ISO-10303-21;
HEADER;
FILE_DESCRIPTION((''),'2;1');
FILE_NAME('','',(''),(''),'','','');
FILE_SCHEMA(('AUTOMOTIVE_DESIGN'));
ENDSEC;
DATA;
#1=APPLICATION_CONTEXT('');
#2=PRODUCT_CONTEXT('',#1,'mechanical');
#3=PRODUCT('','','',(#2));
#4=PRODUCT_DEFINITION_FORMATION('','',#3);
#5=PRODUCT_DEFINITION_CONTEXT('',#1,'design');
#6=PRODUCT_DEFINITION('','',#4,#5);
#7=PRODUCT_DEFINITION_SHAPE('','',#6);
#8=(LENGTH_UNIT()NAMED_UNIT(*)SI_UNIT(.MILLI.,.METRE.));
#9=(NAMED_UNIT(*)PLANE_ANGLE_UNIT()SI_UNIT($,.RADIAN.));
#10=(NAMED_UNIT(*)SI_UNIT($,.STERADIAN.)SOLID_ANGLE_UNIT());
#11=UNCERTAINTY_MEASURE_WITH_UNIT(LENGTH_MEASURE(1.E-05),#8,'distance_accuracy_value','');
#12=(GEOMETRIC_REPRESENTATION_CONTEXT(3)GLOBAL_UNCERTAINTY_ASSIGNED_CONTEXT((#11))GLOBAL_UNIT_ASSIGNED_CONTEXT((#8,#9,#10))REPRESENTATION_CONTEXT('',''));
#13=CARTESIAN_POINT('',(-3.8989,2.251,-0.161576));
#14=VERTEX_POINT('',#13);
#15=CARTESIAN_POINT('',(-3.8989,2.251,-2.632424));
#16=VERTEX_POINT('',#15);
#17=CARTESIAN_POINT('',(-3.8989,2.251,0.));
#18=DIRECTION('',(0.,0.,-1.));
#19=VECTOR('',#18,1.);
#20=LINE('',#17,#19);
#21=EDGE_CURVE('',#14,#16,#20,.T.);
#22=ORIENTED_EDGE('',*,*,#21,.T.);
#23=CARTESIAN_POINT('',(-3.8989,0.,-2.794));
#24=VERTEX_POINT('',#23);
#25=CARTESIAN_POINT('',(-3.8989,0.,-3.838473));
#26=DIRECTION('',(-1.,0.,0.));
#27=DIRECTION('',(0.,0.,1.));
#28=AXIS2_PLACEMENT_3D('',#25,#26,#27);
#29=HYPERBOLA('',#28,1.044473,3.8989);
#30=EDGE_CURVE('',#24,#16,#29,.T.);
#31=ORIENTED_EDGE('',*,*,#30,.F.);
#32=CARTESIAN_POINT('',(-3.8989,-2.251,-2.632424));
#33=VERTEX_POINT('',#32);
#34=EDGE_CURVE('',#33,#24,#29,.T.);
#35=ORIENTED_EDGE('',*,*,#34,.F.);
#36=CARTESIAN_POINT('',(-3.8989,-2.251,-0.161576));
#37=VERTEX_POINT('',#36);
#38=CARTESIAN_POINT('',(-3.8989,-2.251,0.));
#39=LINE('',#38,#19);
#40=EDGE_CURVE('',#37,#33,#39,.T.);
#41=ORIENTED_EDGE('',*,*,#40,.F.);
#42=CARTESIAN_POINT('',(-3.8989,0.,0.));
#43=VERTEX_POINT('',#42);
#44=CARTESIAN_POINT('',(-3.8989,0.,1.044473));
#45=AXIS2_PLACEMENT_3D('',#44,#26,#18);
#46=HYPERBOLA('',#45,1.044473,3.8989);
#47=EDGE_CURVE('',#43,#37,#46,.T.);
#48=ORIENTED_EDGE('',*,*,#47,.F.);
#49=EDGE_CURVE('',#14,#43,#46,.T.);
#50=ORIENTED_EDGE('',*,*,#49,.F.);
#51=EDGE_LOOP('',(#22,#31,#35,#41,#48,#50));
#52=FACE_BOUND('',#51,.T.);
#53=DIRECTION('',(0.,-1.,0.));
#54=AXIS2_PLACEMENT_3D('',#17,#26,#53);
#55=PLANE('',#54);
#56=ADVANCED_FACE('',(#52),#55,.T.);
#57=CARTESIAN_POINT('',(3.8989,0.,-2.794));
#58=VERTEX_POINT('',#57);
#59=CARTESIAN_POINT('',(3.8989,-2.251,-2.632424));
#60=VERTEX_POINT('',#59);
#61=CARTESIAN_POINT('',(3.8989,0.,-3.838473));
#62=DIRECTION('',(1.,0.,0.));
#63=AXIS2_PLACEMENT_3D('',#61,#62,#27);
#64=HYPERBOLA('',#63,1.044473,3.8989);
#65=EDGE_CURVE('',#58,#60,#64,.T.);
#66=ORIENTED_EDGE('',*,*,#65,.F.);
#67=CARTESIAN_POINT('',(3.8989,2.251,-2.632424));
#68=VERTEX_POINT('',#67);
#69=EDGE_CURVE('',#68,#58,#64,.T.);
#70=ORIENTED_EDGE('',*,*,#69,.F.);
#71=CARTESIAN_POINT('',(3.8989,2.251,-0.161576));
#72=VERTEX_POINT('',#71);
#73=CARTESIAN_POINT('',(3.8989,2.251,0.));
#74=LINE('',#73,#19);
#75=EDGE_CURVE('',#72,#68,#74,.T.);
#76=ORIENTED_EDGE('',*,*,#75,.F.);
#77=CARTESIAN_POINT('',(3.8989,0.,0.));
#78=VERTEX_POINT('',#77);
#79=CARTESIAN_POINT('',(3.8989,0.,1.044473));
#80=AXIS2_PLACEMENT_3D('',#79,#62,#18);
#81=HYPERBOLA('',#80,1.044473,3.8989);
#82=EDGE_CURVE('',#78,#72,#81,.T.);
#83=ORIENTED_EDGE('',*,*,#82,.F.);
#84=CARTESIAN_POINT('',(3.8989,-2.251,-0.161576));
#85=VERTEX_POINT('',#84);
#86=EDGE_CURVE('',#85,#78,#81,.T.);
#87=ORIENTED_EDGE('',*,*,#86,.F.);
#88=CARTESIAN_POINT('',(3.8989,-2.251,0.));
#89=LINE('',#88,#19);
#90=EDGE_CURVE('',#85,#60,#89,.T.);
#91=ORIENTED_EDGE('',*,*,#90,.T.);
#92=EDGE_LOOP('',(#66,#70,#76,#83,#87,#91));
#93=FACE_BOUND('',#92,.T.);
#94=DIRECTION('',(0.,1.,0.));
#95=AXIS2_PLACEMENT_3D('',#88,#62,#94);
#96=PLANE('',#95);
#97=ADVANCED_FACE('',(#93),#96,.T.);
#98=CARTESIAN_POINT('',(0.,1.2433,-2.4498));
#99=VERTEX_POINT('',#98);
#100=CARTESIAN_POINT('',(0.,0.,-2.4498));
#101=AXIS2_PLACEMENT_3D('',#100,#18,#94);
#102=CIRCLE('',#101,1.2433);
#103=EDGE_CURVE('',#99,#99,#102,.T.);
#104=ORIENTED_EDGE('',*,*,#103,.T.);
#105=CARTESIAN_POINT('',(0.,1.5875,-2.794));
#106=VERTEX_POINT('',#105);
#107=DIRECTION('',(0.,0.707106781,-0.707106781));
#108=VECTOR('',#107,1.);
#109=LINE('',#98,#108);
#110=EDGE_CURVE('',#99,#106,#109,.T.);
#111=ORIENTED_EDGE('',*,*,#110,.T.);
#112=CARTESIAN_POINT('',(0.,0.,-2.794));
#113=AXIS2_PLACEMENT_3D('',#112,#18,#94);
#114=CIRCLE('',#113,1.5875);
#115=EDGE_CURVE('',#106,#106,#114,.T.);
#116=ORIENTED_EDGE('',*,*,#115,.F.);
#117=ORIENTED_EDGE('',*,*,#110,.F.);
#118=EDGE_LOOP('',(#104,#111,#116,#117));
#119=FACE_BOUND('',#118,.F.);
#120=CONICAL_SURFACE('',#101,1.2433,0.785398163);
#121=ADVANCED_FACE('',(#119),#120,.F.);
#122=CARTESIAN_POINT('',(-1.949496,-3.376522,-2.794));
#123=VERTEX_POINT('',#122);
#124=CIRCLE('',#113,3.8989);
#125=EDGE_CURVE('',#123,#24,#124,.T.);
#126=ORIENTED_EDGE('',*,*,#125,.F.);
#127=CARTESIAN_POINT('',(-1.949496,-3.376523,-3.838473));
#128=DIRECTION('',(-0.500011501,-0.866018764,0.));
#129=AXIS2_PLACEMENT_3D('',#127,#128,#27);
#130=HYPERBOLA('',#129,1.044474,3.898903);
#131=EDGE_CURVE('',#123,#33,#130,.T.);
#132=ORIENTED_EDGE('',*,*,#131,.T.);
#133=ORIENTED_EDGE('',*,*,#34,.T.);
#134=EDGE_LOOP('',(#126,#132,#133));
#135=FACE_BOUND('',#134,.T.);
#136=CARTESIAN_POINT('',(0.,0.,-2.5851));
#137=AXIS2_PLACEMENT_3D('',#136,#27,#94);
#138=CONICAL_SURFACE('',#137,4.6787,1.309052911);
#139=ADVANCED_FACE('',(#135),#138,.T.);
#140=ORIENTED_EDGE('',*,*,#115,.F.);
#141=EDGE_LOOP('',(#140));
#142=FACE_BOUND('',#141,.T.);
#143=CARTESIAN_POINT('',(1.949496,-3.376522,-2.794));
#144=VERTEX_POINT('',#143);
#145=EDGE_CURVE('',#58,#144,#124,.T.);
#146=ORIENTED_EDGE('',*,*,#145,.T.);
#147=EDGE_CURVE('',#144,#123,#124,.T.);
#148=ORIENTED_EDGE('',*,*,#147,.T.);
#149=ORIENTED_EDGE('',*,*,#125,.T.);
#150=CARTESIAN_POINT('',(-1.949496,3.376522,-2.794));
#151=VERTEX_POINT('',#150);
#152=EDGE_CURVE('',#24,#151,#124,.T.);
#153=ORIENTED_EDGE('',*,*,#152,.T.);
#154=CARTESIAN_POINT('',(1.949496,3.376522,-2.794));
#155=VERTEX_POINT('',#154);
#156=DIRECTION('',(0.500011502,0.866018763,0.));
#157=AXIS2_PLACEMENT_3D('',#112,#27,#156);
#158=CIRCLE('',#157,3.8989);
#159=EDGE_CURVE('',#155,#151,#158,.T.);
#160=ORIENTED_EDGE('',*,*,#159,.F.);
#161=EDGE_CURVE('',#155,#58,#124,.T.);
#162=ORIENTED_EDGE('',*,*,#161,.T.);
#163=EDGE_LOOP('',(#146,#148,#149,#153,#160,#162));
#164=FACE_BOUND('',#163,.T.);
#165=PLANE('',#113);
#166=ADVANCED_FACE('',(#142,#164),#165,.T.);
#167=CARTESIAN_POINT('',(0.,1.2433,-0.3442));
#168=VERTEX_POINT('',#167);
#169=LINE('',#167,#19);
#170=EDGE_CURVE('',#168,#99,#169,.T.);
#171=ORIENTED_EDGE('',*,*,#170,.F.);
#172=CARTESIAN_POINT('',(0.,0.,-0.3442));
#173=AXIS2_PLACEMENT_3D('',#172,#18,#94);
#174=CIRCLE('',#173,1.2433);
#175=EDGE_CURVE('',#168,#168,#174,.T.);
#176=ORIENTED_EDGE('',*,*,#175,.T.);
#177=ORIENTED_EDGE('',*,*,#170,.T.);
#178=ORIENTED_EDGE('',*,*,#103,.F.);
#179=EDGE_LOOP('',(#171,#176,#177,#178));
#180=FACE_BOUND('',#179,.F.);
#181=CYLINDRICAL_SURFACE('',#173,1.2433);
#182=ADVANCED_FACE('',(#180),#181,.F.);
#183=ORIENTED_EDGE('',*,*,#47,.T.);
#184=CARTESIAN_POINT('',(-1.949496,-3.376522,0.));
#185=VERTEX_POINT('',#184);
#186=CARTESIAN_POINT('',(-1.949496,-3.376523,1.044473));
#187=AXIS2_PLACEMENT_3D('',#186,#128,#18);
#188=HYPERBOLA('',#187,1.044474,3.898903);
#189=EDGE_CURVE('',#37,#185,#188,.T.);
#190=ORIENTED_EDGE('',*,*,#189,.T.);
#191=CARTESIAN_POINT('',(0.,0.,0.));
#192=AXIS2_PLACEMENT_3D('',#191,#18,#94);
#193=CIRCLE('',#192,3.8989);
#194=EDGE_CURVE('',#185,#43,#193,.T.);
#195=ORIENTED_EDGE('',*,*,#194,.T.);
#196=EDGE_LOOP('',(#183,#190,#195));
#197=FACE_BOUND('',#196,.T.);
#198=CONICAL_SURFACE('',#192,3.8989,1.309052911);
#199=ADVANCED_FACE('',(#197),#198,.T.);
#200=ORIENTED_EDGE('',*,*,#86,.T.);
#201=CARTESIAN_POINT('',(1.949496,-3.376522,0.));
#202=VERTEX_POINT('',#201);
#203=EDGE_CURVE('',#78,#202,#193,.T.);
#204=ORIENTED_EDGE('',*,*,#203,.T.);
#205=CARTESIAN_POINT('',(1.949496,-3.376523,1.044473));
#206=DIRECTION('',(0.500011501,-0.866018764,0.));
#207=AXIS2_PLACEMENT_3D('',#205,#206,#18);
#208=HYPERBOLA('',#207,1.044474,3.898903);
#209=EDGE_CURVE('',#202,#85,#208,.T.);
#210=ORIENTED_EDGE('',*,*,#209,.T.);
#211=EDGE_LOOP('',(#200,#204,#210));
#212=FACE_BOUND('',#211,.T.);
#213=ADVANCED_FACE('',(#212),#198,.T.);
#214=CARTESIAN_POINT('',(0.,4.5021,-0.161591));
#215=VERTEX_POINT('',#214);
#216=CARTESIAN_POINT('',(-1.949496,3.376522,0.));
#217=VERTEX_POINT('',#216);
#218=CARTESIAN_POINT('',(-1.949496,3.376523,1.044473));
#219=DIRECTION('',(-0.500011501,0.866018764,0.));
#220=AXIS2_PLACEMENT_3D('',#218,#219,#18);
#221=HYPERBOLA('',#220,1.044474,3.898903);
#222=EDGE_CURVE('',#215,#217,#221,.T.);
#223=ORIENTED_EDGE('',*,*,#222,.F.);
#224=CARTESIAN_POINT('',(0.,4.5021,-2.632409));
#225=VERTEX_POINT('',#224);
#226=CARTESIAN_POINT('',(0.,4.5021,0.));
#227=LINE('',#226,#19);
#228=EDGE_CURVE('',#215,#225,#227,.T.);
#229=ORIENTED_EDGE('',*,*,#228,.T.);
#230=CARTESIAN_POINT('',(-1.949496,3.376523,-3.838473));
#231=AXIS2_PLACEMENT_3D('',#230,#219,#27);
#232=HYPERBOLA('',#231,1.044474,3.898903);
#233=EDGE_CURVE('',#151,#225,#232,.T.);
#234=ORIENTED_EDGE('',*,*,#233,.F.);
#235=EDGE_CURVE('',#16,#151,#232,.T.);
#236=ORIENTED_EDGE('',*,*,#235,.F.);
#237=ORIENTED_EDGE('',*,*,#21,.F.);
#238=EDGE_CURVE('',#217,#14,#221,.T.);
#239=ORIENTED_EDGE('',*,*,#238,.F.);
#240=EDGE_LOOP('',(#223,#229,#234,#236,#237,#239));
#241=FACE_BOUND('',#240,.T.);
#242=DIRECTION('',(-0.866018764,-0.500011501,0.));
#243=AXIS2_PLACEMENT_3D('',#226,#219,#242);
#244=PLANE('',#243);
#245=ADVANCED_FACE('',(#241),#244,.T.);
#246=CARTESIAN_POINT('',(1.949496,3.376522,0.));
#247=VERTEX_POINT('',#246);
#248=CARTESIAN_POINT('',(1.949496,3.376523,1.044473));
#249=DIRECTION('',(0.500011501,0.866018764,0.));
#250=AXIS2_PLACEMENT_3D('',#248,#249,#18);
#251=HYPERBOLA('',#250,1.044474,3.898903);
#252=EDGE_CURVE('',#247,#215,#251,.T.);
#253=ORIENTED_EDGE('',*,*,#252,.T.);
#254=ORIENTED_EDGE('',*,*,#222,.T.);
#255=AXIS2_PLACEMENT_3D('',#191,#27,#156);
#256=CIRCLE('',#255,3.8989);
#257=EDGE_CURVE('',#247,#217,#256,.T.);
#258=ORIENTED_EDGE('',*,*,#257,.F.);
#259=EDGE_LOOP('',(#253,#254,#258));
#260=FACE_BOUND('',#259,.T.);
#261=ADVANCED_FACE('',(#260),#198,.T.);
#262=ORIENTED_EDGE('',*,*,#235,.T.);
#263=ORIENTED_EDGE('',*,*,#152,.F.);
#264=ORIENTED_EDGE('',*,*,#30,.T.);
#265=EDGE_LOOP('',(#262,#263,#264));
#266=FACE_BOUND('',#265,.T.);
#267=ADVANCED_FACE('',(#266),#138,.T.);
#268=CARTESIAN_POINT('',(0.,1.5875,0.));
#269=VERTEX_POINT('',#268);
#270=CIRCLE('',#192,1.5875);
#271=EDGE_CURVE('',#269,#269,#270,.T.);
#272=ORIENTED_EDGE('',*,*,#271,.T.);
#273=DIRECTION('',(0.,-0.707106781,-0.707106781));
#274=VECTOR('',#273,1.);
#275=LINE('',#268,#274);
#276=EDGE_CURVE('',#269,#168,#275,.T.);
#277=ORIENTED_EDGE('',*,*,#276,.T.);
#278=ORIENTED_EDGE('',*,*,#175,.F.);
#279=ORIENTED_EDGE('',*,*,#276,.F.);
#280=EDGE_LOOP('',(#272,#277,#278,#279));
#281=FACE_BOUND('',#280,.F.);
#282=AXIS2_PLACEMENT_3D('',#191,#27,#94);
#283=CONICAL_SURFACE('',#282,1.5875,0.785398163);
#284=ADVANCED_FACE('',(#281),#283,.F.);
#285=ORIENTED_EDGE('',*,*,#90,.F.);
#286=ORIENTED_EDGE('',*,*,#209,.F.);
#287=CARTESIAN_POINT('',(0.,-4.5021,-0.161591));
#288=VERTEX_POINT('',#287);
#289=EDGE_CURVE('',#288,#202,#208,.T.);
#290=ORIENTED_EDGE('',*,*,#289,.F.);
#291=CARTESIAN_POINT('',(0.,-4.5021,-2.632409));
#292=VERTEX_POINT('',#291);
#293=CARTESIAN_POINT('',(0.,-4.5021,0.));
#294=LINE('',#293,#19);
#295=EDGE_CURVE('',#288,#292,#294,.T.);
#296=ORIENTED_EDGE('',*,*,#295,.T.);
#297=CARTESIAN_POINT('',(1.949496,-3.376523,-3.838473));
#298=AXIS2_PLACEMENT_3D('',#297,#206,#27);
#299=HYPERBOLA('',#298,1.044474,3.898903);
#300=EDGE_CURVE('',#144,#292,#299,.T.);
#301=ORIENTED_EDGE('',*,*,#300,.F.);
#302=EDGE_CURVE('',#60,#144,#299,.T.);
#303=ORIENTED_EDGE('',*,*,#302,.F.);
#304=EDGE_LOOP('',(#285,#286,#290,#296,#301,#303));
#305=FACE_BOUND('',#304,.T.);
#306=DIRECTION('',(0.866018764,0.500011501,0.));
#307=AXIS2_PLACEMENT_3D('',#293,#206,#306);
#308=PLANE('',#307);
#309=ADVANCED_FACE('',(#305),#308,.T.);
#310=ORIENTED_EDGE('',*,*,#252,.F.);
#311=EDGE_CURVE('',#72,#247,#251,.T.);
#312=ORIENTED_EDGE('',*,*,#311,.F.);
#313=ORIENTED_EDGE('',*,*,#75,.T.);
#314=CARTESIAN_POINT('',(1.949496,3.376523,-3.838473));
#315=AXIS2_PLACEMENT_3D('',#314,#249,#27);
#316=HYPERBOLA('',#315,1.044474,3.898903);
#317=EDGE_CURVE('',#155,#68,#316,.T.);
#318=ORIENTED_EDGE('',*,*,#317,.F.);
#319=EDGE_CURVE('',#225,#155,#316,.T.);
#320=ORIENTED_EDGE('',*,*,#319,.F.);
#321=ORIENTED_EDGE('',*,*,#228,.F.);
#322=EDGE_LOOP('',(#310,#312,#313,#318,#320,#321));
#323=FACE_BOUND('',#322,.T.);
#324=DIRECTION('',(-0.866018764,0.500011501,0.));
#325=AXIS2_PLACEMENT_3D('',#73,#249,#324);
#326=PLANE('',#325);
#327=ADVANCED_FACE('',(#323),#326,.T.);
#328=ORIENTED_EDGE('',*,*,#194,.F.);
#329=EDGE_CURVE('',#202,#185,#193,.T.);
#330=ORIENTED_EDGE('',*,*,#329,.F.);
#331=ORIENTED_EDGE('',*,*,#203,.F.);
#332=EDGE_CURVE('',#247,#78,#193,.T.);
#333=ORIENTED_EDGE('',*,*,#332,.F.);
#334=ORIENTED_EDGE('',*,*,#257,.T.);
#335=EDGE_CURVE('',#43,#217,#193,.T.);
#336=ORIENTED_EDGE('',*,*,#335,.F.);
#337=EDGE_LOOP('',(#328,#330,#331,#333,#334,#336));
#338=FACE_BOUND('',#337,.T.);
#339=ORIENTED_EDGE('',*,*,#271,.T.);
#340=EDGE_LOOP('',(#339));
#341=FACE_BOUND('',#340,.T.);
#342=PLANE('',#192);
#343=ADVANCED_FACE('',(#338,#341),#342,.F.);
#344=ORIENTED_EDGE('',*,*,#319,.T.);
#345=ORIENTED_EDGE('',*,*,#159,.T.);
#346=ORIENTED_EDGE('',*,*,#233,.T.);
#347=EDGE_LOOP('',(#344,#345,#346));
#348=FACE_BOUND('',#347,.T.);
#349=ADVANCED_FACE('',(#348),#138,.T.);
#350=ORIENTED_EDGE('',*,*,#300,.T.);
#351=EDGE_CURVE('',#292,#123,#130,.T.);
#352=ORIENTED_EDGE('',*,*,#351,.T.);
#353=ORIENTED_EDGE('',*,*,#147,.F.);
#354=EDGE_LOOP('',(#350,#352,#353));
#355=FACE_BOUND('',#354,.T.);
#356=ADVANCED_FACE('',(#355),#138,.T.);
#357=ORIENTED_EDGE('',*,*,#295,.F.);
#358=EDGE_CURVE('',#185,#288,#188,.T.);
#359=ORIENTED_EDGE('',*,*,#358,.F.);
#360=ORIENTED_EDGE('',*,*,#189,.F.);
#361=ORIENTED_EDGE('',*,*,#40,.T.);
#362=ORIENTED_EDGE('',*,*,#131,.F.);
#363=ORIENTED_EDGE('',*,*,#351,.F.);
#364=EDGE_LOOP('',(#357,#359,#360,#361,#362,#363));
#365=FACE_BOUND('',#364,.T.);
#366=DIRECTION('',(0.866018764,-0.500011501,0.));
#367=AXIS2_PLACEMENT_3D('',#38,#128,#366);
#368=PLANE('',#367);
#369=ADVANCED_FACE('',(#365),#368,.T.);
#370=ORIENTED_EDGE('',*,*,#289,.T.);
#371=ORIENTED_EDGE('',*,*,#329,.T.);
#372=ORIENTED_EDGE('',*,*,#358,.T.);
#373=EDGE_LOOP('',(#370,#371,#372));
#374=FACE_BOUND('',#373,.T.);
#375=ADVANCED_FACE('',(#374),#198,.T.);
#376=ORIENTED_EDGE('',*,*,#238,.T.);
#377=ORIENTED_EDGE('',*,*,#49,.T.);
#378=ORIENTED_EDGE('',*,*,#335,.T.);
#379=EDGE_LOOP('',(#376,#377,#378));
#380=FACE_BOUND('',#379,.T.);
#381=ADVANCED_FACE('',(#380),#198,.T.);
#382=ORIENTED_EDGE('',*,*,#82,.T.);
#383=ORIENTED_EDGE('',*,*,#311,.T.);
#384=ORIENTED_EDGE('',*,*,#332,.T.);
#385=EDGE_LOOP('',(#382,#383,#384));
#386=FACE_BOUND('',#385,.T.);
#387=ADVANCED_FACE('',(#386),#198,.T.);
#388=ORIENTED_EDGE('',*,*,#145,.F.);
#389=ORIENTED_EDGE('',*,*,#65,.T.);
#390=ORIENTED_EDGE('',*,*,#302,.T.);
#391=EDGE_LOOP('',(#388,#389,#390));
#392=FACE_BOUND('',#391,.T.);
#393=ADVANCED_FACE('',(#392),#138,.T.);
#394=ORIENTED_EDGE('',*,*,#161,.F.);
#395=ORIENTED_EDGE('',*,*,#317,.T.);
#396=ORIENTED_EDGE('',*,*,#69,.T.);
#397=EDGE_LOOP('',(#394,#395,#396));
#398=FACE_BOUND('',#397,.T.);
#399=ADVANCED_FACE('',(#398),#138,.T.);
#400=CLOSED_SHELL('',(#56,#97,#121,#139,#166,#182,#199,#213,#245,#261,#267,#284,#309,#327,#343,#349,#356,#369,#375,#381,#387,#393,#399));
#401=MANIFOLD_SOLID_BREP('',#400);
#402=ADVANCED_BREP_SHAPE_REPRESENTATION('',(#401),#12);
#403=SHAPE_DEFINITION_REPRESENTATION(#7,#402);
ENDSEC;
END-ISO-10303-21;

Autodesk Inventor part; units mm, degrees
sketch "Sketch_8" plane through (0, 0, 0) normal (1, 0, 0) x (0, 1, 0)
  line L0 (0, -2.794) -> (0, 0)
  line L1 (0, 0) -> (3.8989, 0)
  line L2 (3.8989, 0) -> (4.6787, -0.2089)
  line L3 (4.6787, -0.2089) -> (4.6787, -2.5851)
  line L4 (4.6787, -2.5851) -> (3.8989, -2.794)
  line L5 (3.8989, -2.794) -> (0, -2.794)
  line L6 (0, -2.794) -> (0, 0)
sketch "Sketch_10" plane through (0, 0, 0) normal (0, 0, 1) x (1, 0, 0)
  line L0 (-7.7978, 7.7978) -> (-7.7978, -7.7978)
  line L1 (-7.7978, -7.7978) -> (7.7978, -7.7978)
  line L2 (7.7978, -7.7978) -> (7.7978, 7.7978)
  line L3 (7.7978, 7.7978) -> (-7.7978, 7.7978)
  line L4 (-3.8989, 2.251) -> (-3.8989, -2.251)
  line L5 (-3.8989, -2.251) -> (0, -4.5021)
  line L6 (0, -4.5021) -> (3.8989, -2.251)
  line L7 (3.8989, -2.251) -> (3.8989, 2.251)
  line L8 (3.8989, 2.251) -> (0, 4.5021)
  line L9 (0, 4.5021) -> (-3.8989, 2.251)
revolve "Revolution1" add sketch "Sketch_8" angle 360 about axis through (0, 0, -2.794) along (0, 0, -1)
extrude "Extrusion1" cut sketch "Sketch_10" against normal blind 2.794
sketch "Sketch_13" plane through (0, 0, 0) normal (1, 0, 0) x (0, 1, 0)
  line L0 (0, -2.794) -> (0, 0)
  line L1 (0, 0) -> (1.5875, 0)
  line L2 (1.5875, 0) -> (1.2433, -0.3442)
  line L3 (1.2433, -0.3442) -> (1.2433, -2.4498)
  line L4 (1.2433, -2.4498) -> (1.5875, -2.794)
  line L5 (1.5875, -2.794) -> (0, -2.794)
  line L6 (0, -2.794) -> (0, 0)
revolve "Revolution2" cut sketch "Sketch_13" angle 360 about axis through (0, 0, -2.794) along (0, 0, -1)
thread "Thread1" size "5-40 UNC" class "2B" standard "ANSI Unified Screw Threads" full length
ref_plane "NUT_XY" through (0, 0, 0) normal (0, 0, 1) x (1, 0, 0)
ref_plane "NUT_YZ" through (0, 0, 0) normal (1, 0, 0) x (0, 1, 0)
ref_plane "NUT_ZX" through (0, 0, 0) normal (0, 1, 0) x (0, 0, 1)
ref_plane "a1_XY" through (-3.8989, 3.8989, 0) normal (0, 0, 1) x (1, 0, 0)
ref_plane "a1_YZ" through (-3.8989, 3.8989, 0) normal (1, 0, 0) x (0, 1, 0)
ref_plane "a1_ZX" through (-3.8989, 3.8989, 0) normal (0, 1, 0) x (0, 0, 1)
ref_plane "a2_XY" through (3.8989, 3.8989, 0) normal (0, 0, 1) x (1, 0, 0)
ref_plane "a2_YZ" through (3.8989, 3.8989, 0) normal (1, 0, 0) x (0, 1, 0)
ref_plane "a2_ZX" through (3.8989, 3.8989, 0) normal (0, 1, 0) x (0, 0, 1)
ref_plane "b1_XY" through (0, 3.8989, 0) normal (1, 0, 0) x (0, 0, -1)
ref_plane "b1_YZ" through (0, 3.8989, 0) normal (0, 0, -1) x (0, 1, 0)
ref_plane "b1_ZX" through (0, 3.8989, 0) normal (0, 1, 0) x (1, 0, 0)
ref_plane "b2_XY" through (0, 3.8989, -2.794) normal (1, 0, 0) x (0, 0, -1)
ref_plane "b2_YZ" through (0, 3.8989, -2.794) normal (0, 0, -1) x (0, 1, 0)
ref_plane "b2_ZX" through (0, 3.8989, -2.794) normal (0, 1, 0) x (1, 0, 0)
ref_plane "e_XY" through (0, 0, -2.794) normal (1, 0, 0) x (0, 0, -1)
ref_plane "e_YZ" through (0, 0, -2.794) normal (0, 0, -1) x (0, 1, 0)
ref_plane "e_ZX" through (0, 0, -2.794) normal (0, 1, 0) x (1, 0, 0)
ref_plane "th1_XY" through (0, 1.5875, -2.794) normal (1, 0, 0) x (0, 0, -1)
ref_plane "th1_YZ" through (0, 1.5875, -2.794) normal (0, 0, -1) x (0, 1, 0)
ref_plane "th1_ZX" through (0, 1.5875, -2.794) normal (0, 1, 0) x (1, 0, 0)
ref_plane "th2_XY" through (0, -1.5875, -2.794) normal (1, 0, 0) x (0, 0, -1)
ref_plane "th2_YZ" through (0, -1.5875, -2.794) normal (0, 0, -1) x (0, 1, 0)
ref_plane "th2_ZX" through (0, -1.5875, -2.794) normal (0, 1, 0) x (1, 0, 0)
ref_plane "ol1_XY" through (0, 0, -3.8989) normal (0, 1, 0) x (1, 0, 0)
ref_plane "ol1_YZ" through (0, 0, -3.8989) normal (1, 0, 0) x (0, 0, -1)
ref_plane "ol1_ZX" through (0, 0, -3.8989) normal (0, 0, -1) x (0, 1, 0)
ref_plane "ol2_XY" through (2.794, 0, -3.8989) normal (0, 1, 0) x (1, 0, 0)
ref_plane "ol2_YZ" through (2.794, 0, -3.8989) normal (1, 0, 0) x (0, 0, -1)
ref_plane "ol2_ZX" through (2.794, 0, -3.8989) normal (0, 0, -1) x (0, 1, 0)
properties part number "D-3745"
